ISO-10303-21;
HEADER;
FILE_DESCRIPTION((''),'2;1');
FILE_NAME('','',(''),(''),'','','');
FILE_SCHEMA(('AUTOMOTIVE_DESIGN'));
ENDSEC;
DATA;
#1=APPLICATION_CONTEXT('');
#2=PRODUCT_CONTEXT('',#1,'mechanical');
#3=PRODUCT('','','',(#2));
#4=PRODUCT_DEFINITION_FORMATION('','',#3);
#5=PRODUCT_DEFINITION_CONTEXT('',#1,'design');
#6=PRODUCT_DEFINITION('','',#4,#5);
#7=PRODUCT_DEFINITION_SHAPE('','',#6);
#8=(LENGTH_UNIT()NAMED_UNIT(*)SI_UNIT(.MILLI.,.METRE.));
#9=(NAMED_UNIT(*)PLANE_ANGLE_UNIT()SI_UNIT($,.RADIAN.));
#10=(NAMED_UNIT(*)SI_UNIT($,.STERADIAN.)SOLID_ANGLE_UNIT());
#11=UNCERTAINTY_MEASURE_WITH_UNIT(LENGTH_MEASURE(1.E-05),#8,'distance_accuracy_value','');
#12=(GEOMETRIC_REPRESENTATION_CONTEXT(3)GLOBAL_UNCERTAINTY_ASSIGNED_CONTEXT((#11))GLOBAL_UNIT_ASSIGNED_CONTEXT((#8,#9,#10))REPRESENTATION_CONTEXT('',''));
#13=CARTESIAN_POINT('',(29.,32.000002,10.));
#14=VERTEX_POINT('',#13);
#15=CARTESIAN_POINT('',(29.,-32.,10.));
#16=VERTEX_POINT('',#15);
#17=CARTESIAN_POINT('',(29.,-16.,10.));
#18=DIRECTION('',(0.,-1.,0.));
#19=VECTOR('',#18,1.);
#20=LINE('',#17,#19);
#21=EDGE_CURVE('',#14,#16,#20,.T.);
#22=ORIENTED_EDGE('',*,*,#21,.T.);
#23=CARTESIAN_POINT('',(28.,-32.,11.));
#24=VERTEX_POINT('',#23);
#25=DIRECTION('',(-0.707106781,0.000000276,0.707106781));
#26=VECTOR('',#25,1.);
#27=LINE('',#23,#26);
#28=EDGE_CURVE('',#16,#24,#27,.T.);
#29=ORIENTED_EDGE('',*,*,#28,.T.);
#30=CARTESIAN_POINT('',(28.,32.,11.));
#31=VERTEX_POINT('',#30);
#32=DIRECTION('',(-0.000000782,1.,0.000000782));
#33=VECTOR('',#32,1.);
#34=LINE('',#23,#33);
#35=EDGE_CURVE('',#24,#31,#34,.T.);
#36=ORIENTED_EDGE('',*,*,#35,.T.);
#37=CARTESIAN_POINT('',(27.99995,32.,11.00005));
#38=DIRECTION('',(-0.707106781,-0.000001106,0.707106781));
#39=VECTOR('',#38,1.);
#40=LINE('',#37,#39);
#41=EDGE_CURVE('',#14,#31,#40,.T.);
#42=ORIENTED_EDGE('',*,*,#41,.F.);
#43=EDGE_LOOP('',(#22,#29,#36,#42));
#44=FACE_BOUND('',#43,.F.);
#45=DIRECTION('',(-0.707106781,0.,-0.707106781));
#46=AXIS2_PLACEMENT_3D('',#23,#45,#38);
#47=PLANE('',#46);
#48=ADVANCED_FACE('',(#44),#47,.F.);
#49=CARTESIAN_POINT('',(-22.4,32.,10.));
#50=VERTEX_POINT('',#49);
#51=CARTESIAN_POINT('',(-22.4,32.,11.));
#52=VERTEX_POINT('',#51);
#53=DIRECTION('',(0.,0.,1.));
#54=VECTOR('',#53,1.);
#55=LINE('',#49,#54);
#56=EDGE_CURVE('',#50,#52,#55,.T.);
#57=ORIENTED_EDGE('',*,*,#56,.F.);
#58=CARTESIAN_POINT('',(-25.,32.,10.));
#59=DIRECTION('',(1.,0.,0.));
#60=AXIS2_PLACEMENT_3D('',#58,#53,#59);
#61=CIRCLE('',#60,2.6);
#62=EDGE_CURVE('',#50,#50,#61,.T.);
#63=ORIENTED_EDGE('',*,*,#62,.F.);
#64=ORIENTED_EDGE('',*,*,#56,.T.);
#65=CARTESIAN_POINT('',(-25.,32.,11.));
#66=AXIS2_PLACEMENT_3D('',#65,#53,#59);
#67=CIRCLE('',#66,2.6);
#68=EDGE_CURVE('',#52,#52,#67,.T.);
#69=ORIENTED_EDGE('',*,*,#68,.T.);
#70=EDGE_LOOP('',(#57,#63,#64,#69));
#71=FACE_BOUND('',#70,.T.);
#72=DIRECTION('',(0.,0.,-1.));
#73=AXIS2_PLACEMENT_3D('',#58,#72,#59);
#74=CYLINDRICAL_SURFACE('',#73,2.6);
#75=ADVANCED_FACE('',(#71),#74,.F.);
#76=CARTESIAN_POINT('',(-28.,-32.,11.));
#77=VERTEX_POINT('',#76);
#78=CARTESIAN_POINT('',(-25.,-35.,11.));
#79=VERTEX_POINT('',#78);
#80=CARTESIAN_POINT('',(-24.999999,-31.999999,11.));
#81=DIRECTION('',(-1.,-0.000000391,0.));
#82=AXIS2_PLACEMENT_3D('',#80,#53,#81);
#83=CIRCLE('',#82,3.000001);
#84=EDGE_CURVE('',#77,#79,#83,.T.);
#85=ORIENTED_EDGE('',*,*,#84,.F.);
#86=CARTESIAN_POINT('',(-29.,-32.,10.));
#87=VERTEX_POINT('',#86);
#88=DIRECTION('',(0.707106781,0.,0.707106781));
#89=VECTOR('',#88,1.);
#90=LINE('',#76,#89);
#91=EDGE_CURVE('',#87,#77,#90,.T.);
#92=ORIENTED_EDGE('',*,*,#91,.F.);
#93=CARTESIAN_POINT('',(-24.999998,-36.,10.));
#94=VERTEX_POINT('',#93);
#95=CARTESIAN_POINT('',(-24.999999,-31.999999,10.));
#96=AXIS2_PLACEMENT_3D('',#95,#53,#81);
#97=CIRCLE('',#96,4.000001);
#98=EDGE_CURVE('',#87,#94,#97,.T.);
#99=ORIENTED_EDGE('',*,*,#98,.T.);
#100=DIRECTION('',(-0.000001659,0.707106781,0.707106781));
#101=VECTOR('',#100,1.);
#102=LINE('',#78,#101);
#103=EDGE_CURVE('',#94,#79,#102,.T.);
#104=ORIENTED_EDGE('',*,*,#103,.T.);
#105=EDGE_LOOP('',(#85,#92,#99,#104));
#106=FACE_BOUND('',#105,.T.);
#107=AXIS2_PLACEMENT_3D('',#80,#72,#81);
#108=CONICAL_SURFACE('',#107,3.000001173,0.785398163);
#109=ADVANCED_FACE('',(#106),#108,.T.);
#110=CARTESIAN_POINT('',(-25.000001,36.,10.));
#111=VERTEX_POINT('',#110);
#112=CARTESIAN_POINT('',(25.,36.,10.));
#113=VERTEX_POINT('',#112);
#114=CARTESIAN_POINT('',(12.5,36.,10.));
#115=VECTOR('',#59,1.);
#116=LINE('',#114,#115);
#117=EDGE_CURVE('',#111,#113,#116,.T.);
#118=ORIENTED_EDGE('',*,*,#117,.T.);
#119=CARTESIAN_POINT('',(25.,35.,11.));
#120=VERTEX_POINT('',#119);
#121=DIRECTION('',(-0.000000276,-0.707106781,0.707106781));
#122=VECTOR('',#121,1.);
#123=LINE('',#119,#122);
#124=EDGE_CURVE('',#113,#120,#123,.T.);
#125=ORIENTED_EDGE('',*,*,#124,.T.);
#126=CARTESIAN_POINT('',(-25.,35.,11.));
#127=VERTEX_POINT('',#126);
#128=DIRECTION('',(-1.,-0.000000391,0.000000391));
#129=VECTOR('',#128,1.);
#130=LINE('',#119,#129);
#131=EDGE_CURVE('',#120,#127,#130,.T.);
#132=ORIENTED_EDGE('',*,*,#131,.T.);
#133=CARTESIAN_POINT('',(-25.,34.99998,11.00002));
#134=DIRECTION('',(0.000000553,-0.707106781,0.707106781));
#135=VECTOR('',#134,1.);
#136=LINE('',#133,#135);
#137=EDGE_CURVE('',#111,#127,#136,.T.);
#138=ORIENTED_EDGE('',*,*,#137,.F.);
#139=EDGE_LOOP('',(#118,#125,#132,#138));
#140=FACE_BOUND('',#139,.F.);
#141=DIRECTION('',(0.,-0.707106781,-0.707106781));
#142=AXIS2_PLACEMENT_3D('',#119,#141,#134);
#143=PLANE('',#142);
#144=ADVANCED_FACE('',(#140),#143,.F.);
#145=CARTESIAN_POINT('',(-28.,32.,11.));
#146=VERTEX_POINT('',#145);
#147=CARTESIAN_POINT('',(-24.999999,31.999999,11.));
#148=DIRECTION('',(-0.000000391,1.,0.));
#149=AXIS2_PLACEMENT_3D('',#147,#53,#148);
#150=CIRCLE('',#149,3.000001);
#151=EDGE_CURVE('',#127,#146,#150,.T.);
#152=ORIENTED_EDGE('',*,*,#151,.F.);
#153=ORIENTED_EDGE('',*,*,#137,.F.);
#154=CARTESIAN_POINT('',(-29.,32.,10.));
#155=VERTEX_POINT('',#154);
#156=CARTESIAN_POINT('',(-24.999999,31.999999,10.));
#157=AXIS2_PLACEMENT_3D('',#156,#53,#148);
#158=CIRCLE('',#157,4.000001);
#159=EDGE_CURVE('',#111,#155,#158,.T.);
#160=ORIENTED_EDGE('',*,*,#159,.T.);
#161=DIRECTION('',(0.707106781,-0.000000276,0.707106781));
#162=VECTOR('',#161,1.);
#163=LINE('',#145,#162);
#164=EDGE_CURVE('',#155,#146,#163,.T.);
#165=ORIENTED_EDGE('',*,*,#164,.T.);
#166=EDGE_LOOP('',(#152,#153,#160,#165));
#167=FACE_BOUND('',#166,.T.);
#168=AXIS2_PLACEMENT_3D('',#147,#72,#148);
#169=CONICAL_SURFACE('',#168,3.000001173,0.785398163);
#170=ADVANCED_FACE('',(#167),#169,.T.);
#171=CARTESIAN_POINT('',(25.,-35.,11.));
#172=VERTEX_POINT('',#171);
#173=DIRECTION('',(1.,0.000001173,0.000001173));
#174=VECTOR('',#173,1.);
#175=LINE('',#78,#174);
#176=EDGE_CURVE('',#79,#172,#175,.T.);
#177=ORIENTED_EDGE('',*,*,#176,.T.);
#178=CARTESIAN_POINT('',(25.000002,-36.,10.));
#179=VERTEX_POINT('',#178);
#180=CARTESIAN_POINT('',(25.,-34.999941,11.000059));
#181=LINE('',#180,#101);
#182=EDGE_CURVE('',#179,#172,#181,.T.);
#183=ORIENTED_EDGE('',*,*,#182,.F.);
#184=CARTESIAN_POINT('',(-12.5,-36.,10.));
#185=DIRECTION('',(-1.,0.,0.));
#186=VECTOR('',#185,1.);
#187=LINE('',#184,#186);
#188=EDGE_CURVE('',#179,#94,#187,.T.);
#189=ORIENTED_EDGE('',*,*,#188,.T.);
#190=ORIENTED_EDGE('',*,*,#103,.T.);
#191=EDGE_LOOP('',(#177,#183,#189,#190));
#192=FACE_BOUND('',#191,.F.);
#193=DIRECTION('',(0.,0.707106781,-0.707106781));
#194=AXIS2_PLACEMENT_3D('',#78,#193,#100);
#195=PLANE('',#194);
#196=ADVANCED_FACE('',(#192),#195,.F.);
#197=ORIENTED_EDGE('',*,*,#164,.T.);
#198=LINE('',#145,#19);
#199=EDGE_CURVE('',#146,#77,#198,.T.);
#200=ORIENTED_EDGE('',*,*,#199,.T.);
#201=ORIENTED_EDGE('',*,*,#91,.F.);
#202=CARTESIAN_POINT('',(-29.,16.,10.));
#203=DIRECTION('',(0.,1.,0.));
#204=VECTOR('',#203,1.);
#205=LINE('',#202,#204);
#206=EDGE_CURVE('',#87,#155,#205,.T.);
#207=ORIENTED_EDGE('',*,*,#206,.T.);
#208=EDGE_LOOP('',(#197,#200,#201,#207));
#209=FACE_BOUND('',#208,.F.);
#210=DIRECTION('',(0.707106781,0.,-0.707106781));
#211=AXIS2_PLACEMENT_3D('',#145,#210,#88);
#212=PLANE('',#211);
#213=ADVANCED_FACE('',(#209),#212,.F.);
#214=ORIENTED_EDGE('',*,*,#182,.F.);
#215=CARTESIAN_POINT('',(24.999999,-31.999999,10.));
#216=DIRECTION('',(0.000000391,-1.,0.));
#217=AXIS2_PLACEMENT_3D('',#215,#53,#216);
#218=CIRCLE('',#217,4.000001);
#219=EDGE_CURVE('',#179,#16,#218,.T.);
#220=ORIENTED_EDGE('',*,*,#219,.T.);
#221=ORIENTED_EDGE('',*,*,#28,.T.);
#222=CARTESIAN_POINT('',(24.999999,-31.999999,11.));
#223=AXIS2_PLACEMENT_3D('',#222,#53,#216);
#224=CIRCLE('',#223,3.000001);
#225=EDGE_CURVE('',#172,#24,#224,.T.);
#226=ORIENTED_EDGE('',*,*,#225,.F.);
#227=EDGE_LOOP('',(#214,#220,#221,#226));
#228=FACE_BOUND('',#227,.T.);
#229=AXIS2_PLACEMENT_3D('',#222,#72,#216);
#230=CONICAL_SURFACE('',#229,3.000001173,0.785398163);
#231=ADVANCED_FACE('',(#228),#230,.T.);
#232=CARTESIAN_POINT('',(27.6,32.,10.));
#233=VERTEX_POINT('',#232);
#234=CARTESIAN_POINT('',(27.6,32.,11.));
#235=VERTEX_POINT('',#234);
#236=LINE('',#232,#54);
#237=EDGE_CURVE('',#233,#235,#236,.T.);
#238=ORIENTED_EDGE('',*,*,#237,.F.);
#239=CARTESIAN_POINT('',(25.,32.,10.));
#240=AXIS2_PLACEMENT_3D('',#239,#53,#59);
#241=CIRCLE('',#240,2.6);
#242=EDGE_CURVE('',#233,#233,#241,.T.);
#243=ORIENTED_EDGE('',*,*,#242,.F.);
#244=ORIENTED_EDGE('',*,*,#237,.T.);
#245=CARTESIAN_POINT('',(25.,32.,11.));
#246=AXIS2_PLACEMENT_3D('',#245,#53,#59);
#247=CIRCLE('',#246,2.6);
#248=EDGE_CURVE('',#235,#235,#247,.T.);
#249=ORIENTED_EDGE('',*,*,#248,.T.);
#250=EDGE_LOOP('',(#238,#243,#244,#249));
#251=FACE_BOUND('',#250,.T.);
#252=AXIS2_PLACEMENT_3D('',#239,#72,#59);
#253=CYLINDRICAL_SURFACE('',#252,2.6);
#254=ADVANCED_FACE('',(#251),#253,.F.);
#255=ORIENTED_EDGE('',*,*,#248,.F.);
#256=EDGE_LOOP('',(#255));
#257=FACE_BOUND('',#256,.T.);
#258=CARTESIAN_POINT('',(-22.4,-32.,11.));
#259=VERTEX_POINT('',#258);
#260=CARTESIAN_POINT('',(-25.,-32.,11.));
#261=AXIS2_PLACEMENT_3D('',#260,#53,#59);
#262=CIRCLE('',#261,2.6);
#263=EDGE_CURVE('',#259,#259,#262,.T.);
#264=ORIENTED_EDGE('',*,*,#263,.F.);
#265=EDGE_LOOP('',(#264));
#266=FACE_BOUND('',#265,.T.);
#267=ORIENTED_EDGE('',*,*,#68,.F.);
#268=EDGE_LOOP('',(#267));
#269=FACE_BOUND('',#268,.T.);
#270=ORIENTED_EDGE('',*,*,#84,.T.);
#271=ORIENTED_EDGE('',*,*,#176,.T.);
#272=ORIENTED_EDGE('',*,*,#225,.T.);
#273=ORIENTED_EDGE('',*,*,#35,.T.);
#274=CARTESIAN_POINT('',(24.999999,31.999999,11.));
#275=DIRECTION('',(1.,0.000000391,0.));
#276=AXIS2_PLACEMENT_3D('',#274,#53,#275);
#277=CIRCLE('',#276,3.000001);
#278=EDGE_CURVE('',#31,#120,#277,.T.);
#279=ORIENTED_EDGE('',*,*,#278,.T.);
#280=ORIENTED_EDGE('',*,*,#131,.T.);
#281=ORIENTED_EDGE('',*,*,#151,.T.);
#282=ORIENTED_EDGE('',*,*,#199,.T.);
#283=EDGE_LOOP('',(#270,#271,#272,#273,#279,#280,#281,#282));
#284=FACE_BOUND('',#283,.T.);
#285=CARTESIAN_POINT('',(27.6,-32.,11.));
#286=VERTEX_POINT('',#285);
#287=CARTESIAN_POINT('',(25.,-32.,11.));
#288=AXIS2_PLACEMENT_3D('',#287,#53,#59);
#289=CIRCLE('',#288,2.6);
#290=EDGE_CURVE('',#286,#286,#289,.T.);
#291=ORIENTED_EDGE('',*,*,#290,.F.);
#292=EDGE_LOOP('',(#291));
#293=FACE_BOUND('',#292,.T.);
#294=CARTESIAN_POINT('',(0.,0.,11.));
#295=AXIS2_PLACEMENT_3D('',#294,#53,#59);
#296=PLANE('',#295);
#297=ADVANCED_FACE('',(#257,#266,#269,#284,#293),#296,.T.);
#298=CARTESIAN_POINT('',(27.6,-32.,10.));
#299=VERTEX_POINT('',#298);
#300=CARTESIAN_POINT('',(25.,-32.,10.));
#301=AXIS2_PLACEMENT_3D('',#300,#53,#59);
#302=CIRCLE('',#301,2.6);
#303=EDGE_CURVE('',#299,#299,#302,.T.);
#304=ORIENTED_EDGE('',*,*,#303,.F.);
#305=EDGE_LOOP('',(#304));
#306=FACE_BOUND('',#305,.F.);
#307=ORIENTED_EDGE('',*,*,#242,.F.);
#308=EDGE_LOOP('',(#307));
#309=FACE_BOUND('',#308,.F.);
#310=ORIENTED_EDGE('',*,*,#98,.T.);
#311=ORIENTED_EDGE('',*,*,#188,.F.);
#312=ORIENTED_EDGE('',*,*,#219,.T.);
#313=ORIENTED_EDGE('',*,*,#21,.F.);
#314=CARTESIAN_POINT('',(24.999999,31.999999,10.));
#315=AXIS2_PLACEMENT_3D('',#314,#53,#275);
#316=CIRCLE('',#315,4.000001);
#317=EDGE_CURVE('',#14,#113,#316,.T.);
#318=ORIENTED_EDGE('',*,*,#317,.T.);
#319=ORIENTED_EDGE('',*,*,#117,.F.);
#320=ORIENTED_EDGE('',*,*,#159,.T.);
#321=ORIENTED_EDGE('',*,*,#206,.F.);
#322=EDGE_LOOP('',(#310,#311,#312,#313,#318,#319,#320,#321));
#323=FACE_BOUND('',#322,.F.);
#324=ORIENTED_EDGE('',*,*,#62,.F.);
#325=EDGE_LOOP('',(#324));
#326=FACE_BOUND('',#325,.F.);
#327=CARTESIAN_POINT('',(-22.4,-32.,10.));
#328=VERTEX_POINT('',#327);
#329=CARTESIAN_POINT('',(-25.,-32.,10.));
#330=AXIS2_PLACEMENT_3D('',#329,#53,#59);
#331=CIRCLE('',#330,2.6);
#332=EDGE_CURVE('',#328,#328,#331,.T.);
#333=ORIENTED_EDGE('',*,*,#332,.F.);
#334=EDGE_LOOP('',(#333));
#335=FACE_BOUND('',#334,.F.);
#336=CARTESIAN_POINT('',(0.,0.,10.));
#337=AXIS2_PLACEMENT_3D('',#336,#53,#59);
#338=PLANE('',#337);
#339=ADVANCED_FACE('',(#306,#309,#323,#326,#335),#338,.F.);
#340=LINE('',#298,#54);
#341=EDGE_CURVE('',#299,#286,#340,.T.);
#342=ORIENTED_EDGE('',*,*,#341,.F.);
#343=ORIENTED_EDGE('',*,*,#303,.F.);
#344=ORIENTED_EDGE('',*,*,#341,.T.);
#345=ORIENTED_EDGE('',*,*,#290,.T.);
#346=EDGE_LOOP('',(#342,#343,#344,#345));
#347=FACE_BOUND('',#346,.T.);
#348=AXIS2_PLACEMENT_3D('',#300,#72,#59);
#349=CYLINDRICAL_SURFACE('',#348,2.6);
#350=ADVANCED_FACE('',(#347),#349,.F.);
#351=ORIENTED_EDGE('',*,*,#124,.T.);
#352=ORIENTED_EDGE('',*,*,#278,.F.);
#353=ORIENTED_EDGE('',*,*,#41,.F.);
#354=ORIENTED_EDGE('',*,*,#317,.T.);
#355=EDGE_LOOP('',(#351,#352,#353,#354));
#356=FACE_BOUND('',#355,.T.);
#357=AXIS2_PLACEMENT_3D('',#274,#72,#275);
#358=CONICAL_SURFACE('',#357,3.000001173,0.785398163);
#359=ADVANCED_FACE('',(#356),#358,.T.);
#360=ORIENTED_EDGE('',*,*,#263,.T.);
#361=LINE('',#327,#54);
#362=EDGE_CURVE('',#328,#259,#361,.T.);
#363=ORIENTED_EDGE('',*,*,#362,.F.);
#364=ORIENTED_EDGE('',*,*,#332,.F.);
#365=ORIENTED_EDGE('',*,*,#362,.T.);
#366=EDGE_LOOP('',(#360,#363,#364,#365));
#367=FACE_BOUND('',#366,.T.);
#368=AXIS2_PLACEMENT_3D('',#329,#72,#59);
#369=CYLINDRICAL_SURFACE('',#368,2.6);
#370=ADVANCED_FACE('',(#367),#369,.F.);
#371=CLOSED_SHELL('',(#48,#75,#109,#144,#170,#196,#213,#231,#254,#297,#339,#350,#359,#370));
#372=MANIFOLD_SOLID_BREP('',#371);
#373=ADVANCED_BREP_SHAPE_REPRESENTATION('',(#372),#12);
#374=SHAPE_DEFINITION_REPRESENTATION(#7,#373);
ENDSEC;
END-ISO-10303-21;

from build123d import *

# Parameters (mm, degrees)
SKETCH034_W      = 60
SKETCH034_H      = 74
SKETCH034_R      = 2.6
EXTRUDE039_DEPTH = 1


with BuildPart() as bevel003:
    # Sweep002: sweep along a path in Sketch041
    with BuildLine(Plane(origin=(0, 0, -2), x_dir=(1, 0, 0), z_dir=(0, 0, -1))) as sweep002_path:
        Line((-25, 35), (25, 35))
        ThreePointArc((25, 35), (27.12132, 34.12132), (28, 32))
        Line((28, 32), (28, -32))
        ThreePointArc((28, -32), (27.12132, -34.12132), (25, -35))
        Line((25, -35), (-25, -35))
        ThreePointArc((-25, -35), (-27.12132, -34.12132), (-28, -32))
        Line((-28, -32), (-28, 32))
        ThreePointArc((-28, 32), (-27.12132, 34.12132), (-25, 35))
    # Sketch040 → Sweep002 (sweep)
    with BuildSketch(Plane.XZ):
        Polygon((-28, 11), (-30, 9), (-30, 1), (-28, -1), (-28, -2), (-33, -2), (-33, 12), (-28, 12), align=None)
    sweep(path=sweep002_path.line)


with BuildPart() as cut:
    # Sketch034 → Extrude039 (new body)
    with BuildSketch(Plane.XY.offset(10)):
        Rectangle(SKETCH034_W, SKETCH034_H)
        with Locations((-25, 32)):
            Circle(SKETCH034_R, mode=Mode.SUBTRACT)
        with Locations((25, 32)):
            Circle(SKETCH034_R, mode=Mode.SUBTRACT)
        with Locations((-25, -32)):
            Circle(SKETCH034_R, mode=Mode.SUBTRACT)
        with Locations((25, -32)):
            Circle(SKETCH034_R, mode=Mode.SUBTRACT)
    extrude(amount=EXTRUDE039_DEPTH)

    # Cut: cut bevel003
    add(bevel003.part, mode=Mode.SUBTRACT)


solid = cut.part
